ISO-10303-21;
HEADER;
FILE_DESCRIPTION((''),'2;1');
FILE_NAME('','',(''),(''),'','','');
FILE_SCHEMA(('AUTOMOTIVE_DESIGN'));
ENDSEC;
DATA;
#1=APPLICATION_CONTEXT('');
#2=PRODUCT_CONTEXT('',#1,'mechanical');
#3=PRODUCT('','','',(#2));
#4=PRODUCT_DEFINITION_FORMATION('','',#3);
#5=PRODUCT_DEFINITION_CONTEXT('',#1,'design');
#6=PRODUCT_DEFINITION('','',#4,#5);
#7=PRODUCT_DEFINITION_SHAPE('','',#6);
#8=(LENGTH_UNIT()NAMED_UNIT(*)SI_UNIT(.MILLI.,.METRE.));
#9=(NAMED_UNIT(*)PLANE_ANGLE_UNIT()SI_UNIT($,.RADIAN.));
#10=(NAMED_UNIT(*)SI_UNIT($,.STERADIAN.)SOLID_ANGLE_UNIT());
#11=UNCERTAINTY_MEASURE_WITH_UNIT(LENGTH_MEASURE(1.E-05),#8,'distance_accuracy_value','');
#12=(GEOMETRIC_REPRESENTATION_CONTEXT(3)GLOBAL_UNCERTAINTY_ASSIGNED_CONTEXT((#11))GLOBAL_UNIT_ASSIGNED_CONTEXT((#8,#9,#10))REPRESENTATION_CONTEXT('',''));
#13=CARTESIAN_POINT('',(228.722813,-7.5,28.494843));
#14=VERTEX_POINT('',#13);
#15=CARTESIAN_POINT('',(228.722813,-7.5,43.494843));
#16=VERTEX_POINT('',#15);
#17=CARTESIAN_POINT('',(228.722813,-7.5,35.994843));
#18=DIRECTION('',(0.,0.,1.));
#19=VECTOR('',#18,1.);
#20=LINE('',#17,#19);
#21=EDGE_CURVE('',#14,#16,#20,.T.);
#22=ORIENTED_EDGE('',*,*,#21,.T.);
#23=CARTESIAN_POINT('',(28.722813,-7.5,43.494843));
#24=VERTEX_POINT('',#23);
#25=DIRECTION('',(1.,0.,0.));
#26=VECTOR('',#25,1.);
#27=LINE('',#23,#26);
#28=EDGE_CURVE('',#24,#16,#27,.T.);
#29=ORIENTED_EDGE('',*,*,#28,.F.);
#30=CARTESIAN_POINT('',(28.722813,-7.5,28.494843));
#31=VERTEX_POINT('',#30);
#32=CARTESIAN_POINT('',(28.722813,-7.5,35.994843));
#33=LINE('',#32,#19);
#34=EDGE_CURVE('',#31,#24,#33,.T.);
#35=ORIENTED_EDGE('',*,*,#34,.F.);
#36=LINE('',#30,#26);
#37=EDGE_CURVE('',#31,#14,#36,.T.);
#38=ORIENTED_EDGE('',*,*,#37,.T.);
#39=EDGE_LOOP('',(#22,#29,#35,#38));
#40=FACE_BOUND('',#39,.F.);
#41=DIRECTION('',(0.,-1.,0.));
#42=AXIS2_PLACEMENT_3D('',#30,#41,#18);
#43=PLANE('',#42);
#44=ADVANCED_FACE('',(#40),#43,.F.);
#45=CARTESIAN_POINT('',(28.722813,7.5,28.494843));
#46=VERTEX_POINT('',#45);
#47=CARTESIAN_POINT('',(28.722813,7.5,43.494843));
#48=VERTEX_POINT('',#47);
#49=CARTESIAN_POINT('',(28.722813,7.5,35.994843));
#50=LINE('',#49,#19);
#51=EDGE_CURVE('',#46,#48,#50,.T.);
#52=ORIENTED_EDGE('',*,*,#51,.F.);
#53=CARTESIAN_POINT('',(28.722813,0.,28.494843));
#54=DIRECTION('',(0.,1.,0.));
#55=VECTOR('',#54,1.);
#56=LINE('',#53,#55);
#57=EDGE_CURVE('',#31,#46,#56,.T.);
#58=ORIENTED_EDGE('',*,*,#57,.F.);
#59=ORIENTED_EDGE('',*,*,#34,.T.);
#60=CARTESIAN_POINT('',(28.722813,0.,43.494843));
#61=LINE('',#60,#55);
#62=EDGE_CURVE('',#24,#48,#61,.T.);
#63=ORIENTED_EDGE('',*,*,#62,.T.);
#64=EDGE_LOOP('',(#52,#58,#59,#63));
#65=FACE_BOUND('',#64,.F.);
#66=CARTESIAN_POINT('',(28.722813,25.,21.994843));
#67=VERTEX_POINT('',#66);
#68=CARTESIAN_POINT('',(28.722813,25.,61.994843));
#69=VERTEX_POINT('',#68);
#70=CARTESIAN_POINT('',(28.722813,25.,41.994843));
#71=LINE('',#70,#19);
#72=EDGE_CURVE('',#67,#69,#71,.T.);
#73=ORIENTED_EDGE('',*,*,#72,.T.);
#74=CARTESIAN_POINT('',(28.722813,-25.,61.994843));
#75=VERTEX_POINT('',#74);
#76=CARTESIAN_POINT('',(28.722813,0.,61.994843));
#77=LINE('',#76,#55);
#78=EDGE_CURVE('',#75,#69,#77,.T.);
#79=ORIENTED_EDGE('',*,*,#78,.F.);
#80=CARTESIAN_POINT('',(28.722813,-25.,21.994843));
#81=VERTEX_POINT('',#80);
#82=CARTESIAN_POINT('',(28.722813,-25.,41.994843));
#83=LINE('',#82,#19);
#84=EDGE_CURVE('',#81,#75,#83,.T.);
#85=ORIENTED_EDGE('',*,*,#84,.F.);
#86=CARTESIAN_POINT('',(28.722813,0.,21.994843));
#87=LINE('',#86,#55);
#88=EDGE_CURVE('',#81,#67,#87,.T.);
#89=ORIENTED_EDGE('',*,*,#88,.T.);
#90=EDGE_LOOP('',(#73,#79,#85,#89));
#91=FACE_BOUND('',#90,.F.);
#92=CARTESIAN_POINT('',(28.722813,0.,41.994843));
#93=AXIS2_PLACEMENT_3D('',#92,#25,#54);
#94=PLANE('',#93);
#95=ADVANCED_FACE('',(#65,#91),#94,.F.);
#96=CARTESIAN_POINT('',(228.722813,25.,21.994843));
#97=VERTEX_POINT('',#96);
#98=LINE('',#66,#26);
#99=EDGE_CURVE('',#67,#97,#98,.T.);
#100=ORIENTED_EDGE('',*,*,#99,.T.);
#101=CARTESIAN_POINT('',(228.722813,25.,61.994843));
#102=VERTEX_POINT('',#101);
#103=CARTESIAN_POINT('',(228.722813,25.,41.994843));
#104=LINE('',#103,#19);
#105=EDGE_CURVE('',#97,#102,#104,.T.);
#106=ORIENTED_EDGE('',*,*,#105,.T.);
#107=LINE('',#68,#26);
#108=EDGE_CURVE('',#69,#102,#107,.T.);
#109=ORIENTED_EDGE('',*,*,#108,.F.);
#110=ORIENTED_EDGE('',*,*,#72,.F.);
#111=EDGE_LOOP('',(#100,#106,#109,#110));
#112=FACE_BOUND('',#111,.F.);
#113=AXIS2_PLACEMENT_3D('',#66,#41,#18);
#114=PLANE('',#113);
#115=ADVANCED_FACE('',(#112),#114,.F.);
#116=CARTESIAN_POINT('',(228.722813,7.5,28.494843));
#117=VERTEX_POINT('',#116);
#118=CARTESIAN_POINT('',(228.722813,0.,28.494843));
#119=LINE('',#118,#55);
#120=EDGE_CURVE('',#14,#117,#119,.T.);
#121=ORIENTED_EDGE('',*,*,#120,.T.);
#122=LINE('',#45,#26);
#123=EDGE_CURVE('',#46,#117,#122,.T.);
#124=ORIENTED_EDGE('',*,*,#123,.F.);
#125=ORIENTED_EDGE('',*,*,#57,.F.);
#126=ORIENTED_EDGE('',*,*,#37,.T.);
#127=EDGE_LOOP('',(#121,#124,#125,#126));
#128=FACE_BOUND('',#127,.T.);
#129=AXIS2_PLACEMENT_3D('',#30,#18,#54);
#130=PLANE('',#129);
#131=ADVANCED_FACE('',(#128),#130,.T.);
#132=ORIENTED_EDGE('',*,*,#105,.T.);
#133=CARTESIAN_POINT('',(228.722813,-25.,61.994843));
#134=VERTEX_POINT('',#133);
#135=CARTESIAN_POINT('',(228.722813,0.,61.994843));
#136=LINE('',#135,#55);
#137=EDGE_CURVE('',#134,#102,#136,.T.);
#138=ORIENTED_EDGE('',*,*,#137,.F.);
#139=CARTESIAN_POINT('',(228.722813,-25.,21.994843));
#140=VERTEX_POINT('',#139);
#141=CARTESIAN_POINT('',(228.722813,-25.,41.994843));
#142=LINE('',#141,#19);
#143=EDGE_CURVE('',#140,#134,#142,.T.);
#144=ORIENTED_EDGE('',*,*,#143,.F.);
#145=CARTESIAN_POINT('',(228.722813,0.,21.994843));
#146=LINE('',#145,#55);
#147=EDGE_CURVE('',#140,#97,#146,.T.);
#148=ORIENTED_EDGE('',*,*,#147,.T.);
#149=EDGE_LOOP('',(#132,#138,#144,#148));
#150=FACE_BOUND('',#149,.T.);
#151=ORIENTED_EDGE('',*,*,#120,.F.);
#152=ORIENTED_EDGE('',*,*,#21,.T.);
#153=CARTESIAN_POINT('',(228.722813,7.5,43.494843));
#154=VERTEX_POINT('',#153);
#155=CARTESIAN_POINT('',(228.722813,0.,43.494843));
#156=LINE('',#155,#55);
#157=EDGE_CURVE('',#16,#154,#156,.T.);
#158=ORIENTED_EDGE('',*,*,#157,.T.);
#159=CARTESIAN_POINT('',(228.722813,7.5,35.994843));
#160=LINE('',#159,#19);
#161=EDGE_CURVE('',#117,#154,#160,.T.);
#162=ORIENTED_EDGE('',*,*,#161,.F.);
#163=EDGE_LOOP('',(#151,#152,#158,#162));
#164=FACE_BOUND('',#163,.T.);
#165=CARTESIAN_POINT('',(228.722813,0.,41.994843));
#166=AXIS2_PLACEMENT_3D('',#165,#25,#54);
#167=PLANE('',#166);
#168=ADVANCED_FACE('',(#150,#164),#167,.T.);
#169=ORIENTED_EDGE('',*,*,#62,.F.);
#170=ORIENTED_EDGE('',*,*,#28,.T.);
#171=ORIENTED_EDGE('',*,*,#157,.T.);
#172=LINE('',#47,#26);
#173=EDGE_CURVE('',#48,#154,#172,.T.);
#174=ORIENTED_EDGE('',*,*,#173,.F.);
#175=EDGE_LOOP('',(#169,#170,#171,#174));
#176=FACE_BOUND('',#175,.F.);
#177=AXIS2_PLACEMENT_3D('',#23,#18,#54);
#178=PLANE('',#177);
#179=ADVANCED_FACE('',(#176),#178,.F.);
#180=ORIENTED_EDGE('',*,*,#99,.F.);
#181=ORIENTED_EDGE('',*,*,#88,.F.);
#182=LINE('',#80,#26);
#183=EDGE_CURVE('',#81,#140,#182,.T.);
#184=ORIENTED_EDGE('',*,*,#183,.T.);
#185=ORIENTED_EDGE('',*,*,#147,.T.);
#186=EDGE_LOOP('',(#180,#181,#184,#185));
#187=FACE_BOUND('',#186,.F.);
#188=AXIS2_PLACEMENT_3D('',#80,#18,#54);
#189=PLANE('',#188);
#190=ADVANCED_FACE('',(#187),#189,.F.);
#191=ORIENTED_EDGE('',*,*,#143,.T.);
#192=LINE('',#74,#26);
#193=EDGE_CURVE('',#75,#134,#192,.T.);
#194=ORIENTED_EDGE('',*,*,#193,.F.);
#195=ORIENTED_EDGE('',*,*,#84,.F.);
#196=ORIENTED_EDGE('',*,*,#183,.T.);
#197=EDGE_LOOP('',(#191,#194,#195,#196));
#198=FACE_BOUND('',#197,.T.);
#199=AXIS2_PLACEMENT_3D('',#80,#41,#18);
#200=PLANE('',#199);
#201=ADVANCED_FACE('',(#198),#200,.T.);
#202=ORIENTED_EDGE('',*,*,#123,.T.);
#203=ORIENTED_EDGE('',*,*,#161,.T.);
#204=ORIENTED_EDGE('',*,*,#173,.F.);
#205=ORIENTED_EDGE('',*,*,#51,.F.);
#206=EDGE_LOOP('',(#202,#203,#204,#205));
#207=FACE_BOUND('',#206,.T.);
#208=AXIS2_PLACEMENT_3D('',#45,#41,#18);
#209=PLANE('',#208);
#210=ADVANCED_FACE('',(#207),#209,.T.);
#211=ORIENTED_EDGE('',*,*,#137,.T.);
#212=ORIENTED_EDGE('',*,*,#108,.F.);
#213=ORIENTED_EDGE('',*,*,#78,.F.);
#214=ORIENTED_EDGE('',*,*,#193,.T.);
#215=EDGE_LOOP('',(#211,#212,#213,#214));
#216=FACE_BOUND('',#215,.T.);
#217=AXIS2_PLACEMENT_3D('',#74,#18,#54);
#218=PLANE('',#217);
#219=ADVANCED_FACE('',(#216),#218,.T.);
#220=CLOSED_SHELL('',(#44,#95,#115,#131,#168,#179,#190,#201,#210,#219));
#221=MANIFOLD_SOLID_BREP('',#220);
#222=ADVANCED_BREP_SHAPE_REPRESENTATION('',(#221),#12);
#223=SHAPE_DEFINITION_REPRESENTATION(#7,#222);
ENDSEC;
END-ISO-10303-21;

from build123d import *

# Parameters (mm, degrees)
SKETCH015_W   = 50
SKETCH015_H   = 40
SKETCH015_W_2 = 15
SKETCH015_H_2 = 15
PAD008_DEPTH  = 200


with BuildPart() as part:
    # Sketch015 → Pad008 (new body)
    with BuildSketch(Plane.YZ):
        with Locations((0, -0.005687)):
            Rectangle(SKETCH015_W, SKETCH015_H)
        with Locations((0, -6.005687)):
            Rectangle(SKETCH015_W_2, SKETCH015_H_2, mode=Mode.SUBTRACT)
    extrude(amount=PAD008_DEPTH)


with BuildPart() as part_1:
    # Body004 placement: moved
    add(part.part.moved(Location((28.722813, 0, 42.00053))))


solid = part_1.part
